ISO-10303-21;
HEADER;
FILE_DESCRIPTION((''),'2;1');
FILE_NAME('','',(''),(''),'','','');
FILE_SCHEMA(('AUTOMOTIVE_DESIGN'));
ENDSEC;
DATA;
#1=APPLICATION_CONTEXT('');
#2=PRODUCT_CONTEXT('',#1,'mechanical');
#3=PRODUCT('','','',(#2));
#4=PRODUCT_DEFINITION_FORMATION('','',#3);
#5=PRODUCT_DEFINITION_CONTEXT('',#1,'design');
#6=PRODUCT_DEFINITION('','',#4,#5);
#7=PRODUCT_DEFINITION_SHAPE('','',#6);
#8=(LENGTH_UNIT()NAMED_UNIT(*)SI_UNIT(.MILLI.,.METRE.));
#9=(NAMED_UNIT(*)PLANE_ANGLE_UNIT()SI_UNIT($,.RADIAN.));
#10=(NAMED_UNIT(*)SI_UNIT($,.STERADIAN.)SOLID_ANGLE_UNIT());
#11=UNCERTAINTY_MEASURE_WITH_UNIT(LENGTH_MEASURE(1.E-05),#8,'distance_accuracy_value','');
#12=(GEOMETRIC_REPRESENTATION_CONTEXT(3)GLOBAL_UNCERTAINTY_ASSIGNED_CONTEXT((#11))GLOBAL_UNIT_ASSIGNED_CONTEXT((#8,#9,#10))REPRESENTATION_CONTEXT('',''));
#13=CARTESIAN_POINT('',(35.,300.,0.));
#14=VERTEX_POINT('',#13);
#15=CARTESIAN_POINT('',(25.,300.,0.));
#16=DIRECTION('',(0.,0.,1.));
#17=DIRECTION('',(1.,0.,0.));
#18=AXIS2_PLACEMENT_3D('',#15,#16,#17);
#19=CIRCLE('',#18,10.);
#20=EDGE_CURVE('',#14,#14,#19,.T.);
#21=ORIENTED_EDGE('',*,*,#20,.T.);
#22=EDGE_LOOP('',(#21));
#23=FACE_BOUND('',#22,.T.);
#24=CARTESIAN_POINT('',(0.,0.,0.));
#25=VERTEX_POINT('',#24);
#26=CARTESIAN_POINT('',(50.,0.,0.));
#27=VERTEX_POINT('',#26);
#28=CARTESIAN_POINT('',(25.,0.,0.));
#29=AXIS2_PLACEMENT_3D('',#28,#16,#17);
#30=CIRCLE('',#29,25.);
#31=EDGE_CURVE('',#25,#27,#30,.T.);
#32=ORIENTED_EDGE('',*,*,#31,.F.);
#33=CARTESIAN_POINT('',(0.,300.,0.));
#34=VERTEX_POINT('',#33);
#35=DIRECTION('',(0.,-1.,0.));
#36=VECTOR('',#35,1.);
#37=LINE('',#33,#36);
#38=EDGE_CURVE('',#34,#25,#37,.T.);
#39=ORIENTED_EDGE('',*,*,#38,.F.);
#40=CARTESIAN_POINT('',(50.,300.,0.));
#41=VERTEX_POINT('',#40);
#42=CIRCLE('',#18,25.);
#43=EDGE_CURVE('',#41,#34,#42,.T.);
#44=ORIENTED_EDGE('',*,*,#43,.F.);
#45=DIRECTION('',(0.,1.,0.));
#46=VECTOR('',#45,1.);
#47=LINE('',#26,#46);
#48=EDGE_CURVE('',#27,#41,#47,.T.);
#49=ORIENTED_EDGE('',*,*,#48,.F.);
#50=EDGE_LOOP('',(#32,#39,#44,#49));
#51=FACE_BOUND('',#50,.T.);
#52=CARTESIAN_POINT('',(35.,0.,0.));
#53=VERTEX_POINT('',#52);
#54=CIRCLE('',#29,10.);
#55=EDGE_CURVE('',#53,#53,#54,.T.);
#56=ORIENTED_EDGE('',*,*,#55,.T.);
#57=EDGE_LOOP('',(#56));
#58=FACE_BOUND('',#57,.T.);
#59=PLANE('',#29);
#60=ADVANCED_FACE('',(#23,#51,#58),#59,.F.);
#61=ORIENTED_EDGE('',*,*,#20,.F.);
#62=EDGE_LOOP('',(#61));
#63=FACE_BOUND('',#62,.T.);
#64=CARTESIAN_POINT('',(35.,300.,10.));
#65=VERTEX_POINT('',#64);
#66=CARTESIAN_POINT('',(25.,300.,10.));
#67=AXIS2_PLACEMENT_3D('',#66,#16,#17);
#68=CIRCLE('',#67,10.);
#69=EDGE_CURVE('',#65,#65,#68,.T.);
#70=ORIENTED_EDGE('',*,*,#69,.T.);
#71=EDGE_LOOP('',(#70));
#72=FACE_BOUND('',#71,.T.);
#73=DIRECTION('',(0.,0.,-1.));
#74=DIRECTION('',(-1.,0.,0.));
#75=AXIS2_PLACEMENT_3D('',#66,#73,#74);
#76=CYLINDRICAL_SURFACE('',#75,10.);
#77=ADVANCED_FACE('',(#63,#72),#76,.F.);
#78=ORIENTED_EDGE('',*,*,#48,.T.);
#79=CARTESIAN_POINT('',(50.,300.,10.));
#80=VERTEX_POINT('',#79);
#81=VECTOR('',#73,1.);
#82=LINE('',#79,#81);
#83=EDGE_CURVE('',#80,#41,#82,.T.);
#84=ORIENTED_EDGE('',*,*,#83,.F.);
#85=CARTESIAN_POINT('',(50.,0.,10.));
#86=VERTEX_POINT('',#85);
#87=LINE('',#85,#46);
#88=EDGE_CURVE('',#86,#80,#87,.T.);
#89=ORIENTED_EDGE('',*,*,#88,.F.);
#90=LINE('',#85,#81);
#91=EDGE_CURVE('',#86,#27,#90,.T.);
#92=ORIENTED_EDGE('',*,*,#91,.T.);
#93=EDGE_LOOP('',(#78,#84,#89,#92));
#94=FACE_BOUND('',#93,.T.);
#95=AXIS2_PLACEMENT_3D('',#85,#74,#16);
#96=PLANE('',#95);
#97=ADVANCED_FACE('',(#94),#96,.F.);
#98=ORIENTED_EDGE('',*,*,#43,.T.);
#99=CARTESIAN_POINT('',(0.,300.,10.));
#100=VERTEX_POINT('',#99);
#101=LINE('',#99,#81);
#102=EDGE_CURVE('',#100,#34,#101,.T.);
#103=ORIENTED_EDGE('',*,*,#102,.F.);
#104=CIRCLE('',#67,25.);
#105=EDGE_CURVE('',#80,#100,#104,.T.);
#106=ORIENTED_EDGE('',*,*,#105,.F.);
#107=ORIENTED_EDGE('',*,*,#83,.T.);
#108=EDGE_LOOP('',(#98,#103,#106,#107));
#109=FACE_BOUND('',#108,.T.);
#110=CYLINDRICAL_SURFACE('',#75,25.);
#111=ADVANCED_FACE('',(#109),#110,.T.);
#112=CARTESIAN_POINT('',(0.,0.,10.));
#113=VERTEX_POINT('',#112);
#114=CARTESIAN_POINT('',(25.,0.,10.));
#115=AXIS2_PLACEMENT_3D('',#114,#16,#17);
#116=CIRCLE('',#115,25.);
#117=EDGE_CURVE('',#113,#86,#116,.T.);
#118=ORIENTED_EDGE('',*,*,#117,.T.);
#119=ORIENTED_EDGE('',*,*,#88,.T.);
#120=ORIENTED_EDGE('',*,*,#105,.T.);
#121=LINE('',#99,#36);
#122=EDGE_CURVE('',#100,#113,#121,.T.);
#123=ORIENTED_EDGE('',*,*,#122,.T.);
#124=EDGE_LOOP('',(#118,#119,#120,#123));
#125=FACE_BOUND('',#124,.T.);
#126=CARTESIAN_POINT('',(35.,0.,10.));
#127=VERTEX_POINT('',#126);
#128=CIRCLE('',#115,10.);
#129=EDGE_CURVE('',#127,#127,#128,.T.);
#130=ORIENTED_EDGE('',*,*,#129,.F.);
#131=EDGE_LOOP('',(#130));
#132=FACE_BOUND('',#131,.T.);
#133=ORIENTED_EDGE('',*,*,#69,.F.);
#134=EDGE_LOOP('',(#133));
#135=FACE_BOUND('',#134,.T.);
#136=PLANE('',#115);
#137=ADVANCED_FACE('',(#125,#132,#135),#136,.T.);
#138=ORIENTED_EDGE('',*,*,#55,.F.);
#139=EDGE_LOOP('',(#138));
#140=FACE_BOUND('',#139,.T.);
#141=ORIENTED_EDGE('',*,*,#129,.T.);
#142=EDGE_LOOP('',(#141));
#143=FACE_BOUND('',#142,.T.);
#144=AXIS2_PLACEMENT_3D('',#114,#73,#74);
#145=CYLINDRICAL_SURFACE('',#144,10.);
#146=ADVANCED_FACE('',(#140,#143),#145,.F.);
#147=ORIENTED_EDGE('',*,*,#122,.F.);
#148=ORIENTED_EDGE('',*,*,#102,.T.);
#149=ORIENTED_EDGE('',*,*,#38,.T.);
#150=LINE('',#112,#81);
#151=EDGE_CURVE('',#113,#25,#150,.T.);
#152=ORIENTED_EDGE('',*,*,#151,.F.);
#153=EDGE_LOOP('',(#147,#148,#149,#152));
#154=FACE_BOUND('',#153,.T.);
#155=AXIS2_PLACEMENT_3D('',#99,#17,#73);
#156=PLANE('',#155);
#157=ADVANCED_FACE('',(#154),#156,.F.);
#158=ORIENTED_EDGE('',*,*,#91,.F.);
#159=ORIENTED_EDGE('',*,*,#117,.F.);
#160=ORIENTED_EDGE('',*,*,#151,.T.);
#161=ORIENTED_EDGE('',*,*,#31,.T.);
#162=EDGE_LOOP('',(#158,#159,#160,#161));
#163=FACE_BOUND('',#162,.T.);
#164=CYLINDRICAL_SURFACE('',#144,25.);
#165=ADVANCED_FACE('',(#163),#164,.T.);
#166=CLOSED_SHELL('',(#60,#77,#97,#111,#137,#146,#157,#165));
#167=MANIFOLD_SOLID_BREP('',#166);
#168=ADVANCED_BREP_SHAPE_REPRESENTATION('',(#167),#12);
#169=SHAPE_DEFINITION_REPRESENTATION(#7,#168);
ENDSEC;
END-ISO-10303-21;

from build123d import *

# Parameters (mm, degrees)
CROQUIS1_R              = 10
SALIENTE_EXTRUIR1_DEPTH = 10


with BuildPart() as part:
    # Croquis1 → Saliente-Extruir1 (new body)
    with BuildSketch(Plane.XY):
        with BuildLine():
            Line((50, 0), (50, 300))
            ThreePointArc((50, 300), (25, 325), (0, 300))
            Line((0, 300), (0, 0))
            ThreePointArc((0, 0), (25, -25), (50, 0))
        make_face()
        with Locations((25, 300)):
            Circle(CROQUIS1_R, mode=Mode.SUBTRACT)
        with Locations((25, 0)):
            Circle(CROQUIS1_R, mode=Mode.SUBTRACT)
    extrude(amount=SALIENTE_EXTRUIR1_DEPTH)


solid = part.part
